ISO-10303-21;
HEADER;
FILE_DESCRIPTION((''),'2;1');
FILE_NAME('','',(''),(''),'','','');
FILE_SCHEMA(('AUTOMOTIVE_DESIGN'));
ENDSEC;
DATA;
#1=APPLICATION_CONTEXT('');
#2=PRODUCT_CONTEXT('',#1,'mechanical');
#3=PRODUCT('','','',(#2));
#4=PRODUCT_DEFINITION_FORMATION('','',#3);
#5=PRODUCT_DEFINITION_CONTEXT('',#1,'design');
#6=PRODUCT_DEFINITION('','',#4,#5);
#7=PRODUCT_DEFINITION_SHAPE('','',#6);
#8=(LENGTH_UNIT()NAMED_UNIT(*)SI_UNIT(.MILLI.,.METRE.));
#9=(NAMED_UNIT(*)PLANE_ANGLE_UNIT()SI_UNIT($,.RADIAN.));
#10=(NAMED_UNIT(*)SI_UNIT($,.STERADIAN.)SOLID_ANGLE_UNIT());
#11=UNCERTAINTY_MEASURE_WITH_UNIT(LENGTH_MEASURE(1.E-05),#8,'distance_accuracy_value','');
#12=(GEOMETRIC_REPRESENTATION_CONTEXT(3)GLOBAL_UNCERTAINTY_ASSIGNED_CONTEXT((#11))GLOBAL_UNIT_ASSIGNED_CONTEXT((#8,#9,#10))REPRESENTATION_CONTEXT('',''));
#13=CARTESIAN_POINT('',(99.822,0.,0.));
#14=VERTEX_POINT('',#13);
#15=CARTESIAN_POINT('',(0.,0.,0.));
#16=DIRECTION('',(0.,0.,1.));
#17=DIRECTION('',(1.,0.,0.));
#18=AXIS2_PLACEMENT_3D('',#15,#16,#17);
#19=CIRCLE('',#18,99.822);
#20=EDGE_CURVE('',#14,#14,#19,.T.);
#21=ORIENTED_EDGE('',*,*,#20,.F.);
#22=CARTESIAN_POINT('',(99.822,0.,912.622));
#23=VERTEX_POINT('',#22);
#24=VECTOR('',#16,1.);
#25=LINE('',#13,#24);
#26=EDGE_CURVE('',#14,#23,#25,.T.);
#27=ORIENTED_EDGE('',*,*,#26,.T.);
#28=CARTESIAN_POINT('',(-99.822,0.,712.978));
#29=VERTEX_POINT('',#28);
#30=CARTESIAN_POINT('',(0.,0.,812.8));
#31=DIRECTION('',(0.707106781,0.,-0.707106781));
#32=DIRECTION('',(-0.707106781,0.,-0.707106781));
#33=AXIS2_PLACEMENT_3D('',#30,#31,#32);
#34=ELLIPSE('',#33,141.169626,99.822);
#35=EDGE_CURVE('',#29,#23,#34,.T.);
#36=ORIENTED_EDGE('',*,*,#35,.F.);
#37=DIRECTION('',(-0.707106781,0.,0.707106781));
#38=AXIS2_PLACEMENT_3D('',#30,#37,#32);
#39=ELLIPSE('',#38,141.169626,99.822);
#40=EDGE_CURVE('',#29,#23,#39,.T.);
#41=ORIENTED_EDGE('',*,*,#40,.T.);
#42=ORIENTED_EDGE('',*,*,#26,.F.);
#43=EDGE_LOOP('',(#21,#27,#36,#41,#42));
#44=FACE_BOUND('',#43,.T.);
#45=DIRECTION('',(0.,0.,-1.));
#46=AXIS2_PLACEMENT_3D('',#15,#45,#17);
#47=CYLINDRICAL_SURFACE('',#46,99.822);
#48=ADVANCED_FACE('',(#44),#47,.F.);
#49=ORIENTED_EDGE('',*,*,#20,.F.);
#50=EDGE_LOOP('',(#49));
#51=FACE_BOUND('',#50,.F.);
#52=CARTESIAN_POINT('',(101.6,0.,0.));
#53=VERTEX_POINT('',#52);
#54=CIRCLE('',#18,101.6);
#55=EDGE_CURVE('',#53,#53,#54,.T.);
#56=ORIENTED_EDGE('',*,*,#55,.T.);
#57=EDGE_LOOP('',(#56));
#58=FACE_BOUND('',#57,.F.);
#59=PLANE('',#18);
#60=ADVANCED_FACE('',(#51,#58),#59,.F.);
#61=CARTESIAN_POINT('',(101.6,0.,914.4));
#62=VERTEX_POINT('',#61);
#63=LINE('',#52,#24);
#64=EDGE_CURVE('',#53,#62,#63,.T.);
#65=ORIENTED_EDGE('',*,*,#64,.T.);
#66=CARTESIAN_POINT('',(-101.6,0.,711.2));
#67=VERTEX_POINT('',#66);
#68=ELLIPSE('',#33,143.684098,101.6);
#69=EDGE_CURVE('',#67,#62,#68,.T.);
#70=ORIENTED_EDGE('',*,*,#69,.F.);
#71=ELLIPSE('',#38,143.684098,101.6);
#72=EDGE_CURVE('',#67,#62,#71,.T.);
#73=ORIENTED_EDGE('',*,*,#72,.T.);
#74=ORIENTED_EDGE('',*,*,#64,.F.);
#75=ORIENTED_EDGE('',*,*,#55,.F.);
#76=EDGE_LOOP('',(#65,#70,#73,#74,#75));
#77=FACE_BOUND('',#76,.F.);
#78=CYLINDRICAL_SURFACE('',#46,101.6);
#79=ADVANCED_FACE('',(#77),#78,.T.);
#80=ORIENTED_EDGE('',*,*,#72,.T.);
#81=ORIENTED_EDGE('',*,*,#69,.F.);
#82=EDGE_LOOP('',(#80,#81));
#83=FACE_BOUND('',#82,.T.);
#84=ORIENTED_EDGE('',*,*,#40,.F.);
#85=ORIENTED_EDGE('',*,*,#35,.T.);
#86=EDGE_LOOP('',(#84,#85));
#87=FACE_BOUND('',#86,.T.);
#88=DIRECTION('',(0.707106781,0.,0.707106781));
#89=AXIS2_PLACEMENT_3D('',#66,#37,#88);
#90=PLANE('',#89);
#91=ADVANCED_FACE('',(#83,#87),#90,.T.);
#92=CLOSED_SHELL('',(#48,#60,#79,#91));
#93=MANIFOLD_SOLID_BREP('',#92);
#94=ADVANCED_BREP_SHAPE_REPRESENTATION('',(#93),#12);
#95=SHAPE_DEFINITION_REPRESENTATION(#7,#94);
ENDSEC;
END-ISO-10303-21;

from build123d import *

# Parameters (mm, degrees)
F0_R          = 101.6
F0_R_2        = 99.822
F1_DEPTH      = 914.4
F3_DEPTH      = 101.601
F3_DEPTH_BACK = 101.601


with BuildPart() as f1:
    # F0 (on Top) → F1 (new body)
    with BuildSketch(Plane.XY):
        Circle(F0_R)
        Circle(F0_R_2, mode=Mode.SUBTRACT)
    extrude(amount=F1_DEPTH)

    # F2 (on Front) → F3 (cut, two sides)
    with BuildSketch(Plane.XZ) as f3_sk:
        Polygon((101.6, 914.4), (-101.6, 914.4), (-101.6, 711.2), align=None)
    extrude(amount=-F3_DEPTH, mode=Mode.SUBTRACT)
    extrude(f3_sk.sketch, amount=F3_DEPTH_BACK, mode=Mode.SUBTRACT)


solid = f1.part
